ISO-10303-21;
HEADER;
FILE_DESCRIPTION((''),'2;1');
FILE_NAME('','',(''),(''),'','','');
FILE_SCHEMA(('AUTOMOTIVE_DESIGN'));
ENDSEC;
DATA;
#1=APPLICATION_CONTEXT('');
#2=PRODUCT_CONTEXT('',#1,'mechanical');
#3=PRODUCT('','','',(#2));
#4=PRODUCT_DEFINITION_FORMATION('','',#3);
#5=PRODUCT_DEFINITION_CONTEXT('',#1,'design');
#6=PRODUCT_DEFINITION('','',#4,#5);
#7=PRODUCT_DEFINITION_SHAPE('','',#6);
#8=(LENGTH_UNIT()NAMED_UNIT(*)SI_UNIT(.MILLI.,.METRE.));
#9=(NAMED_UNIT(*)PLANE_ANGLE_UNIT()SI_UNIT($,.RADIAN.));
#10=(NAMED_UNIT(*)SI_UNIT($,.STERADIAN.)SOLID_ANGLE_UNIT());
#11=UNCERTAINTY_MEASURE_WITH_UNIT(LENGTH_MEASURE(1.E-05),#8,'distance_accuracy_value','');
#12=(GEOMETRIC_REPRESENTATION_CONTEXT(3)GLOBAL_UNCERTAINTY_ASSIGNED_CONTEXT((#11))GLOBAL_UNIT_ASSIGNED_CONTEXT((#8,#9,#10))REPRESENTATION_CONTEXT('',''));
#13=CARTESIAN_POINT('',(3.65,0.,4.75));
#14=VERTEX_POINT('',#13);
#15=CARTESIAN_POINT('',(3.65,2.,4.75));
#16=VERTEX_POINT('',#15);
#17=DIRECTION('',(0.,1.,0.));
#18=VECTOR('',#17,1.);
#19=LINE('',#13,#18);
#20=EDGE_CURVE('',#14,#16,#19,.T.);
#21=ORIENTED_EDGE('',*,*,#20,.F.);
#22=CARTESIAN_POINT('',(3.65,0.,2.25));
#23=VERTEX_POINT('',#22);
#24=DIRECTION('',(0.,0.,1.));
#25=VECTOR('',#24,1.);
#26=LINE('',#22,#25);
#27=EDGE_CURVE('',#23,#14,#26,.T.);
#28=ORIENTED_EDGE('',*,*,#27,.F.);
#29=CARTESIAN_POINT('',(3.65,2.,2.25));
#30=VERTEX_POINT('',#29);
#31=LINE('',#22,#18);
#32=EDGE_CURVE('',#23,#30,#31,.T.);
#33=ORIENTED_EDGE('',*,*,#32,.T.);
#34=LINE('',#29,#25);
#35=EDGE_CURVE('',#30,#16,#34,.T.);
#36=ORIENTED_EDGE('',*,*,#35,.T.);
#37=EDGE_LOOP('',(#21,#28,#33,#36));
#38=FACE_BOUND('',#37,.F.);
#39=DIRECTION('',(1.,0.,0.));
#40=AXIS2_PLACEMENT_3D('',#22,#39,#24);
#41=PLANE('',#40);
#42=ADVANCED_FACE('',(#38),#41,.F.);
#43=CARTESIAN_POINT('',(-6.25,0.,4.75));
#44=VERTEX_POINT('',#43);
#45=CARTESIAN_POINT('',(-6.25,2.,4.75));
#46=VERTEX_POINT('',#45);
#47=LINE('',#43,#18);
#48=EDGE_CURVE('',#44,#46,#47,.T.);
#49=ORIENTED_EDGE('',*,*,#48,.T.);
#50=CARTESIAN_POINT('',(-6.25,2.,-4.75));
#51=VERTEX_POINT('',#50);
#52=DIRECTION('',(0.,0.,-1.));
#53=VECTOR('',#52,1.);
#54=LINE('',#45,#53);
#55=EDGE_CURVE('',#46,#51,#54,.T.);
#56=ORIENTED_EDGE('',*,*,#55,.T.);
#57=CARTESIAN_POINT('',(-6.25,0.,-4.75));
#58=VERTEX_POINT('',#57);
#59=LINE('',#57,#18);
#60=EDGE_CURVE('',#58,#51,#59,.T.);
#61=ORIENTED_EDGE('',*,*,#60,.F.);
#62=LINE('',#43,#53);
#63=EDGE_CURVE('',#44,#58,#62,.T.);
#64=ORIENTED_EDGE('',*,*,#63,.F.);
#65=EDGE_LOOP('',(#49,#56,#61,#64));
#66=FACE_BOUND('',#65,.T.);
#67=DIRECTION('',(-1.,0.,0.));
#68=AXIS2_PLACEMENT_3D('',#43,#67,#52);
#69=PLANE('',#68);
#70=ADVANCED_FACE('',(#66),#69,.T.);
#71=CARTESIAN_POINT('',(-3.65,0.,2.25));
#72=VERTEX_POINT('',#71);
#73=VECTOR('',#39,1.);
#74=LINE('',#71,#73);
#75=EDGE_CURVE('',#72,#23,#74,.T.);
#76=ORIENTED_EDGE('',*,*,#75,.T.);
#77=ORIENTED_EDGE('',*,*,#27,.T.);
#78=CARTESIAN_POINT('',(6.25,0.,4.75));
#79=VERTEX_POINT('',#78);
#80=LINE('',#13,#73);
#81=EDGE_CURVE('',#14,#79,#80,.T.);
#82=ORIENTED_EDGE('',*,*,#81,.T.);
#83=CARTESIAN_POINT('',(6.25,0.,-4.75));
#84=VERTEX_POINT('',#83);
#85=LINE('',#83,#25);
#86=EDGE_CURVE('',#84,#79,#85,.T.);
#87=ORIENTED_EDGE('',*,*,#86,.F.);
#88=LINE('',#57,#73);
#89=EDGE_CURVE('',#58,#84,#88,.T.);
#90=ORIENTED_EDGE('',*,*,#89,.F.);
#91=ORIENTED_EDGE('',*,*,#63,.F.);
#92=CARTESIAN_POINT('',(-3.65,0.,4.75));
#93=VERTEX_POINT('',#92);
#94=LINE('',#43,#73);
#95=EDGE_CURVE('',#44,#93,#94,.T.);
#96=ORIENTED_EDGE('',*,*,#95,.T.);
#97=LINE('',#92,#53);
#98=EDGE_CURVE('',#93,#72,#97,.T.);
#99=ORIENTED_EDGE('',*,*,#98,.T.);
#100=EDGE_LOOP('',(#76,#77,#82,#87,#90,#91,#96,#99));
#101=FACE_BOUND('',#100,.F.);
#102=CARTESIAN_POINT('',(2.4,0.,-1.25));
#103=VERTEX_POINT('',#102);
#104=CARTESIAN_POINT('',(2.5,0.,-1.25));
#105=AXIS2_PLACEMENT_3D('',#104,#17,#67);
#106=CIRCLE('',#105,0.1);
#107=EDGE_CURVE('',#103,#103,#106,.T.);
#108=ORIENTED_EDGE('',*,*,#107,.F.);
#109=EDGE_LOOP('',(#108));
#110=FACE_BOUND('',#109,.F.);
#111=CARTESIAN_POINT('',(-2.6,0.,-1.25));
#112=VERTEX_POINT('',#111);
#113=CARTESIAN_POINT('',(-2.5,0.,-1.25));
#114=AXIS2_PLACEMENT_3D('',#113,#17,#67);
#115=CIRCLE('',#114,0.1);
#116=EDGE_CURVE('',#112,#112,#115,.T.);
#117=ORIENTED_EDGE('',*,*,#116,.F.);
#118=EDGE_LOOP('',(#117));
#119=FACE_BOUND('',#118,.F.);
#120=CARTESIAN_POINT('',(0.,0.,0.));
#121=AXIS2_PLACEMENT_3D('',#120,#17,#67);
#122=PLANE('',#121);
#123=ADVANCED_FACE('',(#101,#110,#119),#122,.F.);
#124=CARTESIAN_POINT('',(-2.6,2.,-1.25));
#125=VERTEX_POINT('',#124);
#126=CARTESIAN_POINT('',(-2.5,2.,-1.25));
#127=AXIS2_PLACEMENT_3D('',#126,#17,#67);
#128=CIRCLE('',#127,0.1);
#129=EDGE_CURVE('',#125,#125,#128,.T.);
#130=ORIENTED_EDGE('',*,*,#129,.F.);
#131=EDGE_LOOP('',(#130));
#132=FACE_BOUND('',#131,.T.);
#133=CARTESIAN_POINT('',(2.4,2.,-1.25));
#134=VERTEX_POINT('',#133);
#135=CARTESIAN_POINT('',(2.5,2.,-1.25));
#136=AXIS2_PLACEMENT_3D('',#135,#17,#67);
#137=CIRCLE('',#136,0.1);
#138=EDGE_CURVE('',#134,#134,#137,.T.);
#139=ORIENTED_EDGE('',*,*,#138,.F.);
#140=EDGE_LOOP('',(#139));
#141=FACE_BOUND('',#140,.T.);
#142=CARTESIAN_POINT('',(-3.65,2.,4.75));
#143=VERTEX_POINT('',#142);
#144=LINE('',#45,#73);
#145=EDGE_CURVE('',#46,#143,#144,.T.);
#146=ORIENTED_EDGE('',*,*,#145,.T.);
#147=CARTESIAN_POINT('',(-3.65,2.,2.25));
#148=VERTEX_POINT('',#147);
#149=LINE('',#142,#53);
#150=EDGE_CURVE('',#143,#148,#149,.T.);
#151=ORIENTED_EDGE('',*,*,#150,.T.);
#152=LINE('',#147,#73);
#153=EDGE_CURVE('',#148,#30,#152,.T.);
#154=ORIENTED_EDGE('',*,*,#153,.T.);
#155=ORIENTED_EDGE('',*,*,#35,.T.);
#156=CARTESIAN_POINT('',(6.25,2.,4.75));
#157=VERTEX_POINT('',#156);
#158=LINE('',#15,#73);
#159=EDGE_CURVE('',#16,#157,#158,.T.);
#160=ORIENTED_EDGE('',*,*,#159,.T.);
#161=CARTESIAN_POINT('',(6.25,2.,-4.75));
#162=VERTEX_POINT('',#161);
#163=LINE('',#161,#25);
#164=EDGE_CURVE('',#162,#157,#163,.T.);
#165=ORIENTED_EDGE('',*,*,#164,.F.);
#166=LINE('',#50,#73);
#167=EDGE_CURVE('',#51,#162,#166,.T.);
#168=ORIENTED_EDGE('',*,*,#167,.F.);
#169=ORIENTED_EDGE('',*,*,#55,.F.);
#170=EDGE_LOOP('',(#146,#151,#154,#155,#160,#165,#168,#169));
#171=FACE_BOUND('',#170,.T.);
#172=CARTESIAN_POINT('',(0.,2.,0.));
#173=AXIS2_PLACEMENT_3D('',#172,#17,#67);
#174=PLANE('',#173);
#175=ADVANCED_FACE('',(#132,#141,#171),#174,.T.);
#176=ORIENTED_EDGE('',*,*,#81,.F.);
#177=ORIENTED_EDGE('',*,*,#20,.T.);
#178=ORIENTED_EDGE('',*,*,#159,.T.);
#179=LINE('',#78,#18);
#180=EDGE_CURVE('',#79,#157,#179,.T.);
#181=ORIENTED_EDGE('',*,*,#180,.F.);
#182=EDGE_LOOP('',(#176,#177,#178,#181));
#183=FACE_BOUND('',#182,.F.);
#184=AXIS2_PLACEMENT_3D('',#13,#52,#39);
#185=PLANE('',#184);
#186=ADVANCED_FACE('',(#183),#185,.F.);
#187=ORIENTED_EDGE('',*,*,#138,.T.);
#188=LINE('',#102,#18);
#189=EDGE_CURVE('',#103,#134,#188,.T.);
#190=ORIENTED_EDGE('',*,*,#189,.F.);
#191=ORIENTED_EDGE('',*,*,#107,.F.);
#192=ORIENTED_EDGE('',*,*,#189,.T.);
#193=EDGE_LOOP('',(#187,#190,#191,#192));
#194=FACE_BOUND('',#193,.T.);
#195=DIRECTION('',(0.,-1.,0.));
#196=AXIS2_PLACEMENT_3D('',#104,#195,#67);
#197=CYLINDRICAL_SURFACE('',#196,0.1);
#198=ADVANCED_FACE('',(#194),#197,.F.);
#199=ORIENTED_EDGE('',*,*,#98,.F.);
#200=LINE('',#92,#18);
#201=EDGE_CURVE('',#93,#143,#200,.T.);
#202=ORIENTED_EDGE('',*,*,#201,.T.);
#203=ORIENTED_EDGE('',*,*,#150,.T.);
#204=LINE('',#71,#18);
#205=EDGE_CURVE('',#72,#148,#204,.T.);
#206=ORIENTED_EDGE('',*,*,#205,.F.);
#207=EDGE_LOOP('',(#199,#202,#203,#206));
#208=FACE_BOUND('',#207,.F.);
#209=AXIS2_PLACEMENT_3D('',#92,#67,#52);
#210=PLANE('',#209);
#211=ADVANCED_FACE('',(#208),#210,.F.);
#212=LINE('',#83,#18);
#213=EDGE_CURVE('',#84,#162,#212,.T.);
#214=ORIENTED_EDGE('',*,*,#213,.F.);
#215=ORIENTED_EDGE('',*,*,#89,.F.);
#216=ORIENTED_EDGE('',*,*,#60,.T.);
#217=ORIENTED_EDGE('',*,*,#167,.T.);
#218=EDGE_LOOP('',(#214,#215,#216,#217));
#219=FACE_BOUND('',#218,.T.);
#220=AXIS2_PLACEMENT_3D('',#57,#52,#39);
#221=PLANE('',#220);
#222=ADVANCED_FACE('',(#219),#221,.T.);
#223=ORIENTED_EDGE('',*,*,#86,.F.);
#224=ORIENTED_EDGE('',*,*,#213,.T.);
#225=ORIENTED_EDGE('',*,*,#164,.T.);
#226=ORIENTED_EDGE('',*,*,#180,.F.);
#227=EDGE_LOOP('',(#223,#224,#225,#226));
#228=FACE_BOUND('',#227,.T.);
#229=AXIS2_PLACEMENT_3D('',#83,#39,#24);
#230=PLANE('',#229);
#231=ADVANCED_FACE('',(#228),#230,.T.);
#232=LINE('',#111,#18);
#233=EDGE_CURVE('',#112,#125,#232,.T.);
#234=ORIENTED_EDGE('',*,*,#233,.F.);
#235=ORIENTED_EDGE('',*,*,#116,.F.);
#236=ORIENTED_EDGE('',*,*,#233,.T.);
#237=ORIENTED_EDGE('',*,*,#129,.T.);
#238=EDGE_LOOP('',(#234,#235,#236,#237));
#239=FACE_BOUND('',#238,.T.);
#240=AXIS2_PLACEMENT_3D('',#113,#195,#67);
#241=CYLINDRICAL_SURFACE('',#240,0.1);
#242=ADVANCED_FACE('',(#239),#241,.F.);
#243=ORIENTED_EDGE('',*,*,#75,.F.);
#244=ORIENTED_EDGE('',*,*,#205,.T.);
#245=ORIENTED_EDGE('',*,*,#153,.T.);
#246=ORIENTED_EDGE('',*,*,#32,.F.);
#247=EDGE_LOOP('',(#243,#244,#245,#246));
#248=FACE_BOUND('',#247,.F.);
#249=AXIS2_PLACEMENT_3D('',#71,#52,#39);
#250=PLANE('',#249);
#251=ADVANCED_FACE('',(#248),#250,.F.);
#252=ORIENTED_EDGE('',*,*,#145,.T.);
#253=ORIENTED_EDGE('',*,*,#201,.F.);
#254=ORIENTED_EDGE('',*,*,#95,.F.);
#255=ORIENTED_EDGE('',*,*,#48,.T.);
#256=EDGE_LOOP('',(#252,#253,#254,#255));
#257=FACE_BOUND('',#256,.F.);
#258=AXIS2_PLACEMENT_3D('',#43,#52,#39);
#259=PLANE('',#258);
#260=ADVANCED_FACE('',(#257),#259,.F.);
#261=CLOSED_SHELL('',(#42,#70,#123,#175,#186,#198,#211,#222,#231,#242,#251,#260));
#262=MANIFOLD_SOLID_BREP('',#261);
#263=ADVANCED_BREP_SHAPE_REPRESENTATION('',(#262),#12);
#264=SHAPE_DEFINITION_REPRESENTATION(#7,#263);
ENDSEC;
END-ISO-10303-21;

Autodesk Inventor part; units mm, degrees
ref_plane "YZ Plane" through (0, 0, 0) normal (1, 0, 0) x (0, 1, 0)
ref_plane "XZ Plane" through (0, 0, 0) normal (0, 1, 0) x (-1, 0, 0)
ref_plane "XY Plane" through (0, 0, 0) normal (0, 0, 1) x (1, 0, 0)
sketch "Sketch1" plane through (0, 0, 0) normal (0, 1, 0) x (-1, 0, 0)
  line L0 (6.25, 4.75) -> (3.65, 4.75)
  line L1 (-3.65, 4.75) -> (-6.25, 4.75)
  line L2 (6.25, 4.75) -> (6.25, -4.75)
  line L3 (6.25, -4.75) -> (-6.25, -4.75)
  line L4 (-6.25, -4.75) -> (-6.25, 4.75)
  circle A0 centre (2.5, -1.25) radius 0.1
  circle A1 centre (-2.5, -1.25) radius 0.1
  line L5 (3.65, 4.75) -> (3.65, 2.25)
  line L6 (3.65, 2.25) -> (-3.65, 2.25)
  line L7 (-3.65, 2.25) -> (-3.65, 4.75)
  dimension "d0" = 12.5
  dimension "d1" = 9.5
  dimension "d2" = 2.6
  dimension "d7" = 0.2
  dimension "d9" = 0.2
  dimension "d17" = 2.6
  dimension "d18" = 2.5
  dimension "d19" = 7.3
extrude "Extrusion1" add sketch "Sketch1" along normal blind 2
properties part number "PCB_kon_drzak"
